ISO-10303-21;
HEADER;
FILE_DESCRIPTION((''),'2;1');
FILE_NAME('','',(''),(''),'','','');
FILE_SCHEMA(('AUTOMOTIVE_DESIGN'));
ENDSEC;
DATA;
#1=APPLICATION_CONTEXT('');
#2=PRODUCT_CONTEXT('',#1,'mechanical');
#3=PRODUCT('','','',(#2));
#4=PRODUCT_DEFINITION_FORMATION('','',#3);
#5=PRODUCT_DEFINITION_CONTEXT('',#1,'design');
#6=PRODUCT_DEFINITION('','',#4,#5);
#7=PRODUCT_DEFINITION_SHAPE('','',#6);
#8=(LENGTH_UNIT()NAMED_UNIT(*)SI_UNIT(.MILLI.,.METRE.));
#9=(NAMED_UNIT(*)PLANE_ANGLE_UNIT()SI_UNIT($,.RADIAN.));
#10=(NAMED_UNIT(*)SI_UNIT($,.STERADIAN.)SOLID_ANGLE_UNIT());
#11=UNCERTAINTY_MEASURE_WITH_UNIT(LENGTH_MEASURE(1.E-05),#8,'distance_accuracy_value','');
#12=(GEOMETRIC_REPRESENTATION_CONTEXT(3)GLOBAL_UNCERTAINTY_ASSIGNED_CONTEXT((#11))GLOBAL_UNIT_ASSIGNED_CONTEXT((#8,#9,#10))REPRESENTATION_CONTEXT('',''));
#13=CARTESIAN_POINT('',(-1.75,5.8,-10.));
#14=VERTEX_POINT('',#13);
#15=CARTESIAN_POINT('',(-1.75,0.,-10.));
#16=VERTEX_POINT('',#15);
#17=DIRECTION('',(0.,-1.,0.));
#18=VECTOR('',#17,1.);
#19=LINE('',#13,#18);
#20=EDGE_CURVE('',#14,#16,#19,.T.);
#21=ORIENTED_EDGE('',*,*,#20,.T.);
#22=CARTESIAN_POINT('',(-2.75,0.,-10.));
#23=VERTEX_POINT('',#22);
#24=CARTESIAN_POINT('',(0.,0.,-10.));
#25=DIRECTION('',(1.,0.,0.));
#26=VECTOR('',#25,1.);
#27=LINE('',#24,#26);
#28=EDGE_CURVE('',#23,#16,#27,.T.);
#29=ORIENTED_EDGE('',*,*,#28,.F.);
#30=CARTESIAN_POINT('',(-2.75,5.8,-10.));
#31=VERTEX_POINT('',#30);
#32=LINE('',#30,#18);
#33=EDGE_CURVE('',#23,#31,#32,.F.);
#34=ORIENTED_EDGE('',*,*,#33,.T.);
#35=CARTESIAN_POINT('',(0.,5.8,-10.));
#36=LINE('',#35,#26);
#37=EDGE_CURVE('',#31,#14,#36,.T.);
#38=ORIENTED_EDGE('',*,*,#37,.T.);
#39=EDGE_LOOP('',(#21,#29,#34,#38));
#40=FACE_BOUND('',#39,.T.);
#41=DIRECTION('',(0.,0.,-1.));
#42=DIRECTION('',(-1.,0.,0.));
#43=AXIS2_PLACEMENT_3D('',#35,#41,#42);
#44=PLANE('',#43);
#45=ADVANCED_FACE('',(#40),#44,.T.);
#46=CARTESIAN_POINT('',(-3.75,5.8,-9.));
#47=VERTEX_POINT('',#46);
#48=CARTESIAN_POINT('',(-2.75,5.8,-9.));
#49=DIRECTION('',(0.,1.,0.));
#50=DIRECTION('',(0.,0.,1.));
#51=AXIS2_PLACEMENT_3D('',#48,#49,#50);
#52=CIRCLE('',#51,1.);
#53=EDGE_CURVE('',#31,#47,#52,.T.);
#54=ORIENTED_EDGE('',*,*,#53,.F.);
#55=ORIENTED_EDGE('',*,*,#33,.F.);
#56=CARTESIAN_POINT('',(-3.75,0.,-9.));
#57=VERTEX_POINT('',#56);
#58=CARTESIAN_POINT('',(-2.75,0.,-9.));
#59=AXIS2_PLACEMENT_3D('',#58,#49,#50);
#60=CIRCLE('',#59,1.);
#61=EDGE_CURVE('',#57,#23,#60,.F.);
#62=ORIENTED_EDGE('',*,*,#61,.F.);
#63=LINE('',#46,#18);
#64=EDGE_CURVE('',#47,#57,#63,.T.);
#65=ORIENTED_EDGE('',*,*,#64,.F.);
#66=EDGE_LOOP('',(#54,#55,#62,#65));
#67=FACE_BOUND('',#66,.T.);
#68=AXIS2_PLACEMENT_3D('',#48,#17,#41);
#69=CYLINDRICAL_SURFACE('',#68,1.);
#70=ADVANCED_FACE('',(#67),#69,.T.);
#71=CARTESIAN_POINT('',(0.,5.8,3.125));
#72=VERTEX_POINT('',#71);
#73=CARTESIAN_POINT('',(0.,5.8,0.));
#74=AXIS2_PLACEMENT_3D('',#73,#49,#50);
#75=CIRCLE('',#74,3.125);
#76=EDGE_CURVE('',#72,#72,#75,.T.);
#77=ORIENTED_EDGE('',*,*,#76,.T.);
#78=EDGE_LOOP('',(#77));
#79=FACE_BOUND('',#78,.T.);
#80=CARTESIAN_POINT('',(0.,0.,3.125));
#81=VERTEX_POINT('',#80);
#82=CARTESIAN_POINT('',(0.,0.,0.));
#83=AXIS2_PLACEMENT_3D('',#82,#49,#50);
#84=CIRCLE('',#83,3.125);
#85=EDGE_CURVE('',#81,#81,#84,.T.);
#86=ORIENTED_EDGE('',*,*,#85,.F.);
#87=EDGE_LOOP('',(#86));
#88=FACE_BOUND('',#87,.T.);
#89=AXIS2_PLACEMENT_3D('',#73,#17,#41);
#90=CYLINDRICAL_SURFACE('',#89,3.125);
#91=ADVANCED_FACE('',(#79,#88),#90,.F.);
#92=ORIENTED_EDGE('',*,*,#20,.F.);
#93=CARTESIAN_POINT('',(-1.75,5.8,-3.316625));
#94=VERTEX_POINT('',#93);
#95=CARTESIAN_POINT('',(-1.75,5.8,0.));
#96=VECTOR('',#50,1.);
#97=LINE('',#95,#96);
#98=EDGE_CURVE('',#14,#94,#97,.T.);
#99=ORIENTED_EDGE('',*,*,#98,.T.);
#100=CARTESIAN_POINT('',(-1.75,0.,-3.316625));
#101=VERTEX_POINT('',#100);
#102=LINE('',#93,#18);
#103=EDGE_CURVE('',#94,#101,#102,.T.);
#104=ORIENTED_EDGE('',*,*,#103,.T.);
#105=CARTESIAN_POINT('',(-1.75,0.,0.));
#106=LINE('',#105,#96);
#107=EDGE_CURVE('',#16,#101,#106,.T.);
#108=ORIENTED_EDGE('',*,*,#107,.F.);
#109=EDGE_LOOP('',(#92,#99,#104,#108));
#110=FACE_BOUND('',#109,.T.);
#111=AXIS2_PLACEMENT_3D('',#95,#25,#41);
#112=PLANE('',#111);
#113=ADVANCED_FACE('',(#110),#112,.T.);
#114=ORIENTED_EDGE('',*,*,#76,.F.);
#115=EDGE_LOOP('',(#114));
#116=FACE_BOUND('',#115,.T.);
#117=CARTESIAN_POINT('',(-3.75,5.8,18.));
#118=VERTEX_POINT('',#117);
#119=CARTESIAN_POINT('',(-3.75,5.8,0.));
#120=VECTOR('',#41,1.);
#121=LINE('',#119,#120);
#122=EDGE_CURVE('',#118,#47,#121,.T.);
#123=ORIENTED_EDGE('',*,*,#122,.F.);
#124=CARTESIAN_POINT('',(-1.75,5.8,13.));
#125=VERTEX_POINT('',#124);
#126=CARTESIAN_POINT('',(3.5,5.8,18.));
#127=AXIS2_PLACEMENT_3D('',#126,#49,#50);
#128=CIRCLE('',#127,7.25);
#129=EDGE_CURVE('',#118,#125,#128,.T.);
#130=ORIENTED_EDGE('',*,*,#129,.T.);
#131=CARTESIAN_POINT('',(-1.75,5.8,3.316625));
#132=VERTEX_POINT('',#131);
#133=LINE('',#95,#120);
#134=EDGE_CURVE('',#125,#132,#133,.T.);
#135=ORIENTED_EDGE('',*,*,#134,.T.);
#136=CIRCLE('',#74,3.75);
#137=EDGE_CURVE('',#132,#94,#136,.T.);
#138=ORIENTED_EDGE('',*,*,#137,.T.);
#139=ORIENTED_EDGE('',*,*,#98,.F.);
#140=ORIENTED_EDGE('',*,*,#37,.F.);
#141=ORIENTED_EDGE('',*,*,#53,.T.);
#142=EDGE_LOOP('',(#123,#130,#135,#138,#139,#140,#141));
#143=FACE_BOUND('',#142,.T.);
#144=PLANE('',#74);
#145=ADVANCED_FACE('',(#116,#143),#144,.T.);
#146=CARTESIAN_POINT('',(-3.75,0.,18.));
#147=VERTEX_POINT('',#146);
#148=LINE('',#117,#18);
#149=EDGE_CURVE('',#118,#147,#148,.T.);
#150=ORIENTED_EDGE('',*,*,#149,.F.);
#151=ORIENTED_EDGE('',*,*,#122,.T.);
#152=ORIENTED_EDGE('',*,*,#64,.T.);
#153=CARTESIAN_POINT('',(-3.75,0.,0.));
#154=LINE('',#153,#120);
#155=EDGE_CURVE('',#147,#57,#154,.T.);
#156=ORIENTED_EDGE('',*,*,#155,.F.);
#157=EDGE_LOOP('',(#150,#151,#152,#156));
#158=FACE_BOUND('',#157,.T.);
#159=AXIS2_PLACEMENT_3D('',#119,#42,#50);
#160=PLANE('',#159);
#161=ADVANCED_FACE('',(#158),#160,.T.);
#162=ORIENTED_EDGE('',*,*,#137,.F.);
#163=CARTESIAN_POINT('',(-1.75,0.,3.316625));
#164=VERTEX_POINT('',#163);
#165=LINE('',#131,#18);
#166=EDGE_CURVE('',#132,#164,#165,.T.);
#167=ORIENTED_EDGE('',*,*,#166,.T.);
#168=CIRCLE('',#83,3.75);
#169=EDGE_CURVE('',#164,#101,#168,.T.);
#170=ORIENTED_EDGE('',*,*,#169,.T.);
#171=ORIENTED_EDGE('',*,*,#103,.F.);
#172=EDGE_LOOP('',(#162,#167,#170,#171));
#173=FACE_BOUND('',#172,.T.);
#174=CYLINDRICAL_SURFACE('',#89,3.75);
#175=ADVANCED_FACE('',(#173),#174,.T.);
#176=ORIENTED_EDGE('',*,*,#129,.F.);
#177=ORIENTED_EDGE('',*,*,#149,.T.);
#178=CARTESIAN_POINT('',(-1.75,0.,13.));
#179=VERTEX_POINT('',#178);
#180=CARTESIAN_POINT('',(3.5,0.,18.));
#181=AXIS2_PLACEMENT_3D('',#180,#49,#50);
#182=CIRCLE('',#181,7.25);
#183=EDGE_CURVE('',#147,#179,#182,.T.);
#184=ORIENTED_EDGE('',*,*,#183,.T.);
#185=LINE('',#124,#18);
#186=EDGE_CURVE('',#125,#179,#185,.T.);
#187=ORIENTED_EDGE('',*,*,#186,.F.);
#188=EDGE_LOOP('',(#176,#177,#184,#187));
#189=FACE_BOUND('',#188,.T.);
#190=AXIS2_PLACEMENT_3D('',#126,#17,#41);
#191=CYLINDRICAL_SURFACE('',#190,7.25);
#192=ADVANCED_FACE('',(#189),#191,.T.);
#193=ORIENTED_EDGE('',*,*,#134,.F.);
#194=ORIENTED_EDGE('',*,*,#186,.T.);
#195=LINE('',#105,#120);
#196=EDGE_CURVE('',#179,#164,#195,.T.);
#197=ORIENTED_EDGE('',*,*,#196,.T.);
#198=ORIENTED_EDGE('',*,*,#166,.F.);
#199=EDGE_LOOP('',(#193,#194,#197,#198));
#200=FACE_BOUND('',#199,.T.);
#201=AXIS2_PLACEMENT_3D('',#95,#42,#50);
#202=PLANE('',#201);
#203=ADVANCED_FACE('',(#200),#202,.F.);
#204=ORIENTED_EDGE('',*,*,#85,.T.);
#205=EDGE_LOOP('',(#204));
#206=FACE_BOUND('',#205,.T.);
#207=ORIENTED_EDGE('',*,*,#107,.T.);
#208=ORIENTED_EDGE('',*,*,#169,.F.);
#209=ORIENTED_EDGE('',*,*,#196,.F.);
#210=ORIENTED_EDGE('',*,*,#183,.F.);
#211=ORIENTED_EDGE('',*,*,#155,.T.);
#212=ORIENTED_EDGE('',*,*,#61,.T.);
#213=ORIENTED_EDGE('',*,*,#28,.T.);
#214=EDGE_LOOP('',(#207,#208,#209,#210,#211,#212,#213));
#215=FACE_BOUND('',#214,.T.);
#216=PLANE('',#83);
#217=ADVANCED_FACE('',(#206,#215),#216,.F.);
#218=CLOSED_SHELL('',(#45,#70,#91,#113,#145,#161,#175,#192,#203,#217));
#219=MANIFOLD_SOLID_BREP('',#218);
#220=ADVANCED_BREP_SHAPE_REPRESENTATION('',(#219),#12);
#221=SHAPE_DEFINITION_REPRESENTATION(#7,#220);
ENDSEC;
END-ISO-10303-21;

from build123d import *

# Parameters (mm, degrees)
SKETCH1_R           = 3.125
BOSS_EXTRUDE1_DEPTH = 5.8
FILLET1_R           = 1


with BuildPart() as part:
    # Sketch1 → Boss-Extrude1 (new body)
    with BuildSketch(Plane(origin=(0, 0, 0), x_dir=(1, 0, 0), z_dir=(0, 1, 0))):
        with BuildLine():
            Line((-1.75, 10), (-3.75, 10))
            Line((-3.75, 10), (-3.75, -18))
            ThreePointArc((-3.75, -18), (9.742495495, -21.686970301), (0, -11.65078745))
            ThreePointArc((0, -11.65078745), (-0.926705166, -12.258329392), (-1.75, -13))
            Line((-1.75, -13), (-1.75, -3.31662479))
            ThreePointArc((-1.75, -3.31662479), (-0.901431372, -3.640044159), (0, -3.75))
            ThreePointArc((0, -3.75), (3.640044159, 0.901431372), (-1.75, 3.31662479))
            Line((-1.75, 3.31662479), (-1.75, 10))
        make_face()
        with Locations(Location((0, 0, 0), (0, 0, 270))):
            Circle(SKETCH1_R, mode=Mode.SUBTRACT)
    extrude(amount=BOSS_EXTRUDE1_DEPTH)

    # Fillet1
    fillet1_edges = [part.edges().sort_by_distance(p)[0] for p in [
        (-3.75, 2.9, -10),
    ]]
    fillet(fillet1_edges, radius=FILLET1_R)


solid = part.part
